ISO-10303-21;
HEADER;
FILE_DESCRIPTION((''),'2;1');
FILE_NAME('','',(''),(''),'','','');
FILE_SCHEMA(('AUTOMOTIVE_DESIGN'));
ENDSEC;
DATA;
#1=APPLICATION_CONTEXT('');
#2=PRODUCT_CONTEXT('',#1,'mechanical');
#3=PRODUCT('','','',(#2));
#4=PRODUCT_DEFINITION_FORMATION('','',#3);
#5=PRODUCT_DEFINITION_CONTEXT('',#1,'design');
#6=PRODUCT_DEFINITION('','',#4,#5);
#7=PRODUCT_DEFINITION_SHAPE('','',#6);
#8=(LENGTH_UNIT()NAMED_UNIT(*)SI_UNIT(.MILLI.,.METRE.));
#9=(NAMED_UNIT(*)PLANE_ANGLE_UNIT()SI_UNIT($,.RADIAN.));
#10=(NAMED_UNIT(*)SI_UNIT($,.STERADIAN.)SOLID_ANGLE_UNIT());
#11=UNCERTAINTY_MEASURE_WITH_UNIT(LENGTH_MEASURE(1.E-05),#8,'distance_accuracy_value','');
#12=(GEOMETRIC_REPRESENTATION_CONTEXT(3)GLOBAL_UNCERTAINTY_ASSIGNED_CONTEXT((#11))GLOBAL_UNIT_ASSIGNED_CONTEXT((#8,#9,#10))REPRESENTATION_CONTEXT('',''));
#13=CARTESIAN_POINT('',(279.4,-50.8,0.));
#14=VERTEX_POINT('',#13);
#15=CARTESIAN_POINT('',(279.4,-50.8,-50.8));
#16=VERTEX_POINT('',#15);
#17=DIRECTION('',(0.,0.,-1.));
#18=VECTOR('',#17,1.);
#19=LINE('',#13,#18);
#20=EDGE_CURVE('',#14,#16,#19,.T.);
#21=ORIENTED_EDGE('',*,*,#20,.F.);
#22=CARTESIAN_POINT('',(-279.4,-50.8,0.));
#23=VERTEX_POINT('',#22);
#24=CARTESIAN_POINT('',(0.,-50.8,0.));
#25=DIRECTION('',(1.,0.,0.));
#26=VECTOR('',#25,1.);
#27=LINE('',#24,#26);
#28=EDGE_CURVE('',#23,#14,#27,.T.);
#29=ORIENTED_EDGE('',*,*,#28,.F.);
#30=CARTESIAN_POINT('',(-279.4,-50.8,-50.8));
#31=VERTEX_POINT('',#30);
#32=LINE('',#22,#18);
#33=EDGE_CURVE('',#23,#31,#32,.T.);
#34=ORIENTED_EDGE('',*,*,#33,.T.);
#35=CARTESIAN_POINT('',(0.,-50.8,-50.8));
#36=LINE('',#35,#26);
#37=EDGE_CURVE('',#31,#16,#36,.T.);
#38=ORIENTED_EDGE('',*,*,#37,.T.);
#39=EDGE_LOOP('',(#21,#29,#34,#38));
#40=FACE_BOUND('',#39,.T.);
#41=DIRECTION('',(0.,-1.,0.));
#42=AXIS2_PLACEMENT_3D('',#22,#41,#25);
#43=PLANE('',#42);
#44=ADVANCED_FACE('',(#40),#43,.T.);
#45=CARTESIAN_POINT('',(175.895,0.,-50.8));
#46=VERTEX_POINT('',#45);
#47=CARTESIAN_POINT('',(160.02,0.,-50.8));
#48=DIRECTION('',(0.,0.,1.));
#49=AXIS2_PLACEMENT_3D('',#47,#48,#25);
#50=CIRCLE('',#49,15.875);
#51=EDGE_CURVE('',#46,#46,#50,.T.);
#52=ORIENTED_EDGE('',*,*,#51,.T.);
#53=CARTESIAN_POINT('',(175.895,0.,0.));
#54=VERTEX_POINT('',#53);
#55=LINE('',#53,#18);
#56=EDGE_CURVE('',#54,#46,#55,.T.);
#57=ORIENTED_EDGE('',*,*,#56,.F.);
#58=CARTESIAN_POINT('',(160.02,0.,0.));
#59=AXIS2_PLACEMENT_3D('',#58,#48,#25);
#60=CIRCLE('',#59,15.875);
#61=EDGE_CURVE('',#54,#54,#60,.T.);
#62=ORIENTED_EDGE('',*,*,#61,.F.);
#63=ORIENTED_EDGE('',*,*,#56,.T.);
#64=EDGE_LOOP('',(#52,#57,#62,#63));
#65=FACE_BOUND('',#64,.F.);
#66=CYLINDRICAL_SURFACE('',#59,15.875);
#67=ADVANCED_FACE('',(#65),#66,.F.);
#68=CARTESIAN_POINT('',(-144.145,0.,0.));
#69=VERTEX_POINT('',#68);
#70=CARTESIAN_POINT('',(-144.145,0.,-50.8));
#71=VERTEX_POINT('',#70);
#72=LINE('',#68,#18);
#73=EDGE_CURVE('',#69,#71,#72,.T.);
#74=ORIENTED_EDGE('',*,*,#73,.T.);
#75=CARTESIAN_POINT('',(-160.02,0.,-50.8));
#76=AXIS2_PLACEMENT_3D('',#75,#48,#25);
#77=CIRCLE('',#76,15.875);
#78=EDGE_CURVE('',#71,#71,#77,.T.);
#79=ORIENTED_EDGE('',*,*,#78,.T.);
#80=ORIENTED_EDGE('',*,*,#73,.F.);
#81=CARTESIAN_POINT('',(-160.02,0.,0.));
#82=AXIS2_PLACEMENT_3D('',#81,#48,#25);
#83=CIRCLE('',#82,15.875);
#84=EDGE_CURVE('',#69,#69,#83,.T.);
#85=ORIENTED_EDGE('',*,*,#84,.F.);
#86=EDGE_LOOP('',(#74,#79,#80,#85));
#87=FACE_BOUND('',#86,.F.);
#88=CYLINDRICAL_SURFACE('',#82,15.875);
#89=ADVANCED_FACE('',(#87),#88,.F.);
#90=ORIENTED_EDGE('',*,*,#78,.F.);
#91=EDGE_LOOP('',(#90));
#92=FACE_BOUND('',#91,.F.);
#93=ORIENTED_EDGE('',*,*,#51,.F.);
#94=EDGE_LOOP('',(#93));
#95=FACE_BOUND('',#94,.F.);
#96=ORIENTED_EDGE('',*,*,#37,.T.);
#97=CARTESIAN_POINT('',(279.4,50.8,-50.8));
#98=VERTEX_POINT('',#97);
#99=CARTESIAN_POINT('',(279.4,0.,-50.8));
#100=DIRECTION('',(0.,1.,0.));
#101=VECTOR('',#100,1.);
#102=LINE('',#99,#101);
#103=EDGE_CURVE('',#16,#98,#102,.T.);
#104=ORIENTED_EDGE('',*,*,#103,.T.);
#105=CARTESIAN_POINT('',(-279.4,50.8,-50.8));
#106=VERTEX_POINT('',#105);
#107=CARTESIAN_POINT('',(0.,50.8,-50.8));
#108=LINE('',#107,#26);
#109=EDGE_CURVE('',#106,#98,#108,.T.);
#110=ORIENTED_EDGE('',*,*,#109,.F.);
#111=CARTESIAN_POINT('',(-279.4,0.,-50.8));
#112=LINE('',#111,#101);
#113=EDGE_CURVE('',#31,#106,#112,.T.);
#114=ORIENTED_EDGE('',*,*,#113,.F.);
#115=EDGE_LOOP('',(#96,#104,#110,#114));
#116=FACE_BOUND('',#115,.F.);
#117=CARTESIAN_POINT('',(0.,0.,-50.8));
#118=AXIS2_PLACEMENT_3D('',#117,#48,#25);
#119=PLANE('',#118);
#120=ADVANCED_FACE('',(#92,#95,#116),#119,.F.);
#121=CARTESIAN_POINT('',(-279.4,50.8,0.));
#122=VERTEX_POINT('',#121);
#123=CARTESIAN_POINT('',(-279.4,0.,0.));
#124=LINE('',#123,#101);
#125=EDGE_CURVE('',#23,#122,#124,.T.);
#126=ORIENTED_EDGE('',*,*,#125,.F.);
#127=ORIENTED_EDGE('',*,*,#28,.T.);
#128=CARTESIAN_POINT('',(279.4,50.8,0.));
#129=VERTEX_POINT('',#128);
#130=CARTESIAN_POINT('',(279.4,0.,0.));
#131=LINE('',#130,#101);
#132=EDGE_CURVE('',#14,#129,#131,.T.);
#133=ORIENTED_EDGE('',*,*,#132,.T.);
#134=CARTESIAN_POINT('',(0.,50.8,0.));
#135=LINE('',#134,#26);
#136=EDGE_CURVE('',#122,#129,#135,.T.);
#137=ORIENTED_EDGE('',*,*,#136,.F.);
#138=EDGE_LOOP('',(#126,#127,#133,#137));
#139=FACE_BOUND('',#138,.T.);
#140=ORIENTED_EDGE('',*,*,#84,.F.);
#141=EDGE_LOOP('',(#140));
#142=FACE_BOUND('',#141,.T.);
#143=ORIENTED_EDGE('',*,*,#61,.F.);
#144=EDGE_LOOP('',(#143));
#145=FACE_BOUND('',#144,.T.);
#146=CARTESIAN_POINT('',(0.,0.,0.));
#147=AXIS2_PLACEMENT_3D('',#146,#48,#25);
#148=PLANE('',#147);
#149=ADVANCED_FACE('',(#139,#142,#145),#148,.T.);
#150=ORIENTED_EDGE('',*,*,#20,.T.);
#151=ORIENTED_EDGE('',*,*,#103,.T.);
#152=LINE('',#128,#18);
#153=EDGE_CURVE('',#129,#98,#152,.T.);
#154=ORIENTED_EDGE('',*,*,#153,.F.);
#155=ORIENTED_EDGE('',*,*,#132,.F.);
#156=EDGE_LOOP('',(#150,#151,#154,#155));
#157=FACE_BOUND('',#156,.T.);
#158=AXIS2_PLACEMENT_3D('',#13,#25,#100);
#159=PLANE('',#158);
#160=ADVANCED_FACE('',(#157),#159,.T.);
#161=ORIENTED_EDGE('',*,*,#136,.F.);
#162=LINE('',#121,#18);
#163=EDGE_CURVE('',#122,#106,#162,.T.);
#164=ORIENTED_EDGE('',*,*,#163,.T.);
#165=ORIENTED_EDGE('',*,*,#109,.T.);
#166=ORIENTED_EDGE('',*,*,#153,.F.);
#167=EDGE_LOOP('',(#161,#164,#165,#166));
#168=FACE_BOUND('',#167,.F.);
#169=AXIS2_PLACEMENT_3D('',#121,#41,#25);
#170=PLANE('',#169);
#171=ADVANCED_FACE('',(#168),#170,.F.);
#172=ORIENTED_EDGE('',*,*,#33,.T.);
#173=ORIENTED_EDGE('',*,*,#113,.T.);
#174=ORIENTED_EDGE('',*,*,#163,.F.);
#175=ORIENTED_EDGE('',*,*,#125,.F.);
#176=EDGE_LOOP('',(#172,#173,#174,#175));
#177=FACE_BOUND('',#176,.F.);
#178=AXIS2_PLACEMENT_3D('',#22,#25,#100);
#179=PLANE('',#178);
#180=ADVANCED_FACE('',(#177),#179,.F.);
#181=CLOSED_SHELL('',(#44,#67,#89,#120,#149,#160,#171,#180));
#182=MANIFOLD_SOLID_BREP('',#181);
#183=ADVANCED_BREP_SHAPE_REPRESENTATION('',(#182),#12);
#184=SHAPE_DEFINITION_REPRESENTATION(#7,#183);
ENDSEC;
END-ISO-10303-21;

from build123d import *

# Parameters (mm, degrees)
F0_W     = 558.8
F0_H     = 101.6
F1_DEPTH = 50.8
F2_R     = 15.875
F3_DEPTH = 50.801


with BuildPart() as f1:
    # F0 (on Top) → F1 (new body)
    with BuildSketch(Plane.XY):
        Rectangle(F0_W, F0_H)
    extrude(amount=-F1_DEPTH)

    # F2 (on face) → F3 (cut, through all)
    with BuildSketch(Plane.XY):
        with BuildLine():
            ThreePointArc((-175.895, 0), (-160.02, -15.875), (-144.145, 0))
            ThreePointArc((-144.145, 0), (-160.02, 15.875), (-175.895, 0))
        make_face()
        with Locations((160.02, 0)):
            Circle(F2_R)
    extrude(amount=-F3_DEPTH, mode=Mode.SUBTRACT)


solid = f1.part
